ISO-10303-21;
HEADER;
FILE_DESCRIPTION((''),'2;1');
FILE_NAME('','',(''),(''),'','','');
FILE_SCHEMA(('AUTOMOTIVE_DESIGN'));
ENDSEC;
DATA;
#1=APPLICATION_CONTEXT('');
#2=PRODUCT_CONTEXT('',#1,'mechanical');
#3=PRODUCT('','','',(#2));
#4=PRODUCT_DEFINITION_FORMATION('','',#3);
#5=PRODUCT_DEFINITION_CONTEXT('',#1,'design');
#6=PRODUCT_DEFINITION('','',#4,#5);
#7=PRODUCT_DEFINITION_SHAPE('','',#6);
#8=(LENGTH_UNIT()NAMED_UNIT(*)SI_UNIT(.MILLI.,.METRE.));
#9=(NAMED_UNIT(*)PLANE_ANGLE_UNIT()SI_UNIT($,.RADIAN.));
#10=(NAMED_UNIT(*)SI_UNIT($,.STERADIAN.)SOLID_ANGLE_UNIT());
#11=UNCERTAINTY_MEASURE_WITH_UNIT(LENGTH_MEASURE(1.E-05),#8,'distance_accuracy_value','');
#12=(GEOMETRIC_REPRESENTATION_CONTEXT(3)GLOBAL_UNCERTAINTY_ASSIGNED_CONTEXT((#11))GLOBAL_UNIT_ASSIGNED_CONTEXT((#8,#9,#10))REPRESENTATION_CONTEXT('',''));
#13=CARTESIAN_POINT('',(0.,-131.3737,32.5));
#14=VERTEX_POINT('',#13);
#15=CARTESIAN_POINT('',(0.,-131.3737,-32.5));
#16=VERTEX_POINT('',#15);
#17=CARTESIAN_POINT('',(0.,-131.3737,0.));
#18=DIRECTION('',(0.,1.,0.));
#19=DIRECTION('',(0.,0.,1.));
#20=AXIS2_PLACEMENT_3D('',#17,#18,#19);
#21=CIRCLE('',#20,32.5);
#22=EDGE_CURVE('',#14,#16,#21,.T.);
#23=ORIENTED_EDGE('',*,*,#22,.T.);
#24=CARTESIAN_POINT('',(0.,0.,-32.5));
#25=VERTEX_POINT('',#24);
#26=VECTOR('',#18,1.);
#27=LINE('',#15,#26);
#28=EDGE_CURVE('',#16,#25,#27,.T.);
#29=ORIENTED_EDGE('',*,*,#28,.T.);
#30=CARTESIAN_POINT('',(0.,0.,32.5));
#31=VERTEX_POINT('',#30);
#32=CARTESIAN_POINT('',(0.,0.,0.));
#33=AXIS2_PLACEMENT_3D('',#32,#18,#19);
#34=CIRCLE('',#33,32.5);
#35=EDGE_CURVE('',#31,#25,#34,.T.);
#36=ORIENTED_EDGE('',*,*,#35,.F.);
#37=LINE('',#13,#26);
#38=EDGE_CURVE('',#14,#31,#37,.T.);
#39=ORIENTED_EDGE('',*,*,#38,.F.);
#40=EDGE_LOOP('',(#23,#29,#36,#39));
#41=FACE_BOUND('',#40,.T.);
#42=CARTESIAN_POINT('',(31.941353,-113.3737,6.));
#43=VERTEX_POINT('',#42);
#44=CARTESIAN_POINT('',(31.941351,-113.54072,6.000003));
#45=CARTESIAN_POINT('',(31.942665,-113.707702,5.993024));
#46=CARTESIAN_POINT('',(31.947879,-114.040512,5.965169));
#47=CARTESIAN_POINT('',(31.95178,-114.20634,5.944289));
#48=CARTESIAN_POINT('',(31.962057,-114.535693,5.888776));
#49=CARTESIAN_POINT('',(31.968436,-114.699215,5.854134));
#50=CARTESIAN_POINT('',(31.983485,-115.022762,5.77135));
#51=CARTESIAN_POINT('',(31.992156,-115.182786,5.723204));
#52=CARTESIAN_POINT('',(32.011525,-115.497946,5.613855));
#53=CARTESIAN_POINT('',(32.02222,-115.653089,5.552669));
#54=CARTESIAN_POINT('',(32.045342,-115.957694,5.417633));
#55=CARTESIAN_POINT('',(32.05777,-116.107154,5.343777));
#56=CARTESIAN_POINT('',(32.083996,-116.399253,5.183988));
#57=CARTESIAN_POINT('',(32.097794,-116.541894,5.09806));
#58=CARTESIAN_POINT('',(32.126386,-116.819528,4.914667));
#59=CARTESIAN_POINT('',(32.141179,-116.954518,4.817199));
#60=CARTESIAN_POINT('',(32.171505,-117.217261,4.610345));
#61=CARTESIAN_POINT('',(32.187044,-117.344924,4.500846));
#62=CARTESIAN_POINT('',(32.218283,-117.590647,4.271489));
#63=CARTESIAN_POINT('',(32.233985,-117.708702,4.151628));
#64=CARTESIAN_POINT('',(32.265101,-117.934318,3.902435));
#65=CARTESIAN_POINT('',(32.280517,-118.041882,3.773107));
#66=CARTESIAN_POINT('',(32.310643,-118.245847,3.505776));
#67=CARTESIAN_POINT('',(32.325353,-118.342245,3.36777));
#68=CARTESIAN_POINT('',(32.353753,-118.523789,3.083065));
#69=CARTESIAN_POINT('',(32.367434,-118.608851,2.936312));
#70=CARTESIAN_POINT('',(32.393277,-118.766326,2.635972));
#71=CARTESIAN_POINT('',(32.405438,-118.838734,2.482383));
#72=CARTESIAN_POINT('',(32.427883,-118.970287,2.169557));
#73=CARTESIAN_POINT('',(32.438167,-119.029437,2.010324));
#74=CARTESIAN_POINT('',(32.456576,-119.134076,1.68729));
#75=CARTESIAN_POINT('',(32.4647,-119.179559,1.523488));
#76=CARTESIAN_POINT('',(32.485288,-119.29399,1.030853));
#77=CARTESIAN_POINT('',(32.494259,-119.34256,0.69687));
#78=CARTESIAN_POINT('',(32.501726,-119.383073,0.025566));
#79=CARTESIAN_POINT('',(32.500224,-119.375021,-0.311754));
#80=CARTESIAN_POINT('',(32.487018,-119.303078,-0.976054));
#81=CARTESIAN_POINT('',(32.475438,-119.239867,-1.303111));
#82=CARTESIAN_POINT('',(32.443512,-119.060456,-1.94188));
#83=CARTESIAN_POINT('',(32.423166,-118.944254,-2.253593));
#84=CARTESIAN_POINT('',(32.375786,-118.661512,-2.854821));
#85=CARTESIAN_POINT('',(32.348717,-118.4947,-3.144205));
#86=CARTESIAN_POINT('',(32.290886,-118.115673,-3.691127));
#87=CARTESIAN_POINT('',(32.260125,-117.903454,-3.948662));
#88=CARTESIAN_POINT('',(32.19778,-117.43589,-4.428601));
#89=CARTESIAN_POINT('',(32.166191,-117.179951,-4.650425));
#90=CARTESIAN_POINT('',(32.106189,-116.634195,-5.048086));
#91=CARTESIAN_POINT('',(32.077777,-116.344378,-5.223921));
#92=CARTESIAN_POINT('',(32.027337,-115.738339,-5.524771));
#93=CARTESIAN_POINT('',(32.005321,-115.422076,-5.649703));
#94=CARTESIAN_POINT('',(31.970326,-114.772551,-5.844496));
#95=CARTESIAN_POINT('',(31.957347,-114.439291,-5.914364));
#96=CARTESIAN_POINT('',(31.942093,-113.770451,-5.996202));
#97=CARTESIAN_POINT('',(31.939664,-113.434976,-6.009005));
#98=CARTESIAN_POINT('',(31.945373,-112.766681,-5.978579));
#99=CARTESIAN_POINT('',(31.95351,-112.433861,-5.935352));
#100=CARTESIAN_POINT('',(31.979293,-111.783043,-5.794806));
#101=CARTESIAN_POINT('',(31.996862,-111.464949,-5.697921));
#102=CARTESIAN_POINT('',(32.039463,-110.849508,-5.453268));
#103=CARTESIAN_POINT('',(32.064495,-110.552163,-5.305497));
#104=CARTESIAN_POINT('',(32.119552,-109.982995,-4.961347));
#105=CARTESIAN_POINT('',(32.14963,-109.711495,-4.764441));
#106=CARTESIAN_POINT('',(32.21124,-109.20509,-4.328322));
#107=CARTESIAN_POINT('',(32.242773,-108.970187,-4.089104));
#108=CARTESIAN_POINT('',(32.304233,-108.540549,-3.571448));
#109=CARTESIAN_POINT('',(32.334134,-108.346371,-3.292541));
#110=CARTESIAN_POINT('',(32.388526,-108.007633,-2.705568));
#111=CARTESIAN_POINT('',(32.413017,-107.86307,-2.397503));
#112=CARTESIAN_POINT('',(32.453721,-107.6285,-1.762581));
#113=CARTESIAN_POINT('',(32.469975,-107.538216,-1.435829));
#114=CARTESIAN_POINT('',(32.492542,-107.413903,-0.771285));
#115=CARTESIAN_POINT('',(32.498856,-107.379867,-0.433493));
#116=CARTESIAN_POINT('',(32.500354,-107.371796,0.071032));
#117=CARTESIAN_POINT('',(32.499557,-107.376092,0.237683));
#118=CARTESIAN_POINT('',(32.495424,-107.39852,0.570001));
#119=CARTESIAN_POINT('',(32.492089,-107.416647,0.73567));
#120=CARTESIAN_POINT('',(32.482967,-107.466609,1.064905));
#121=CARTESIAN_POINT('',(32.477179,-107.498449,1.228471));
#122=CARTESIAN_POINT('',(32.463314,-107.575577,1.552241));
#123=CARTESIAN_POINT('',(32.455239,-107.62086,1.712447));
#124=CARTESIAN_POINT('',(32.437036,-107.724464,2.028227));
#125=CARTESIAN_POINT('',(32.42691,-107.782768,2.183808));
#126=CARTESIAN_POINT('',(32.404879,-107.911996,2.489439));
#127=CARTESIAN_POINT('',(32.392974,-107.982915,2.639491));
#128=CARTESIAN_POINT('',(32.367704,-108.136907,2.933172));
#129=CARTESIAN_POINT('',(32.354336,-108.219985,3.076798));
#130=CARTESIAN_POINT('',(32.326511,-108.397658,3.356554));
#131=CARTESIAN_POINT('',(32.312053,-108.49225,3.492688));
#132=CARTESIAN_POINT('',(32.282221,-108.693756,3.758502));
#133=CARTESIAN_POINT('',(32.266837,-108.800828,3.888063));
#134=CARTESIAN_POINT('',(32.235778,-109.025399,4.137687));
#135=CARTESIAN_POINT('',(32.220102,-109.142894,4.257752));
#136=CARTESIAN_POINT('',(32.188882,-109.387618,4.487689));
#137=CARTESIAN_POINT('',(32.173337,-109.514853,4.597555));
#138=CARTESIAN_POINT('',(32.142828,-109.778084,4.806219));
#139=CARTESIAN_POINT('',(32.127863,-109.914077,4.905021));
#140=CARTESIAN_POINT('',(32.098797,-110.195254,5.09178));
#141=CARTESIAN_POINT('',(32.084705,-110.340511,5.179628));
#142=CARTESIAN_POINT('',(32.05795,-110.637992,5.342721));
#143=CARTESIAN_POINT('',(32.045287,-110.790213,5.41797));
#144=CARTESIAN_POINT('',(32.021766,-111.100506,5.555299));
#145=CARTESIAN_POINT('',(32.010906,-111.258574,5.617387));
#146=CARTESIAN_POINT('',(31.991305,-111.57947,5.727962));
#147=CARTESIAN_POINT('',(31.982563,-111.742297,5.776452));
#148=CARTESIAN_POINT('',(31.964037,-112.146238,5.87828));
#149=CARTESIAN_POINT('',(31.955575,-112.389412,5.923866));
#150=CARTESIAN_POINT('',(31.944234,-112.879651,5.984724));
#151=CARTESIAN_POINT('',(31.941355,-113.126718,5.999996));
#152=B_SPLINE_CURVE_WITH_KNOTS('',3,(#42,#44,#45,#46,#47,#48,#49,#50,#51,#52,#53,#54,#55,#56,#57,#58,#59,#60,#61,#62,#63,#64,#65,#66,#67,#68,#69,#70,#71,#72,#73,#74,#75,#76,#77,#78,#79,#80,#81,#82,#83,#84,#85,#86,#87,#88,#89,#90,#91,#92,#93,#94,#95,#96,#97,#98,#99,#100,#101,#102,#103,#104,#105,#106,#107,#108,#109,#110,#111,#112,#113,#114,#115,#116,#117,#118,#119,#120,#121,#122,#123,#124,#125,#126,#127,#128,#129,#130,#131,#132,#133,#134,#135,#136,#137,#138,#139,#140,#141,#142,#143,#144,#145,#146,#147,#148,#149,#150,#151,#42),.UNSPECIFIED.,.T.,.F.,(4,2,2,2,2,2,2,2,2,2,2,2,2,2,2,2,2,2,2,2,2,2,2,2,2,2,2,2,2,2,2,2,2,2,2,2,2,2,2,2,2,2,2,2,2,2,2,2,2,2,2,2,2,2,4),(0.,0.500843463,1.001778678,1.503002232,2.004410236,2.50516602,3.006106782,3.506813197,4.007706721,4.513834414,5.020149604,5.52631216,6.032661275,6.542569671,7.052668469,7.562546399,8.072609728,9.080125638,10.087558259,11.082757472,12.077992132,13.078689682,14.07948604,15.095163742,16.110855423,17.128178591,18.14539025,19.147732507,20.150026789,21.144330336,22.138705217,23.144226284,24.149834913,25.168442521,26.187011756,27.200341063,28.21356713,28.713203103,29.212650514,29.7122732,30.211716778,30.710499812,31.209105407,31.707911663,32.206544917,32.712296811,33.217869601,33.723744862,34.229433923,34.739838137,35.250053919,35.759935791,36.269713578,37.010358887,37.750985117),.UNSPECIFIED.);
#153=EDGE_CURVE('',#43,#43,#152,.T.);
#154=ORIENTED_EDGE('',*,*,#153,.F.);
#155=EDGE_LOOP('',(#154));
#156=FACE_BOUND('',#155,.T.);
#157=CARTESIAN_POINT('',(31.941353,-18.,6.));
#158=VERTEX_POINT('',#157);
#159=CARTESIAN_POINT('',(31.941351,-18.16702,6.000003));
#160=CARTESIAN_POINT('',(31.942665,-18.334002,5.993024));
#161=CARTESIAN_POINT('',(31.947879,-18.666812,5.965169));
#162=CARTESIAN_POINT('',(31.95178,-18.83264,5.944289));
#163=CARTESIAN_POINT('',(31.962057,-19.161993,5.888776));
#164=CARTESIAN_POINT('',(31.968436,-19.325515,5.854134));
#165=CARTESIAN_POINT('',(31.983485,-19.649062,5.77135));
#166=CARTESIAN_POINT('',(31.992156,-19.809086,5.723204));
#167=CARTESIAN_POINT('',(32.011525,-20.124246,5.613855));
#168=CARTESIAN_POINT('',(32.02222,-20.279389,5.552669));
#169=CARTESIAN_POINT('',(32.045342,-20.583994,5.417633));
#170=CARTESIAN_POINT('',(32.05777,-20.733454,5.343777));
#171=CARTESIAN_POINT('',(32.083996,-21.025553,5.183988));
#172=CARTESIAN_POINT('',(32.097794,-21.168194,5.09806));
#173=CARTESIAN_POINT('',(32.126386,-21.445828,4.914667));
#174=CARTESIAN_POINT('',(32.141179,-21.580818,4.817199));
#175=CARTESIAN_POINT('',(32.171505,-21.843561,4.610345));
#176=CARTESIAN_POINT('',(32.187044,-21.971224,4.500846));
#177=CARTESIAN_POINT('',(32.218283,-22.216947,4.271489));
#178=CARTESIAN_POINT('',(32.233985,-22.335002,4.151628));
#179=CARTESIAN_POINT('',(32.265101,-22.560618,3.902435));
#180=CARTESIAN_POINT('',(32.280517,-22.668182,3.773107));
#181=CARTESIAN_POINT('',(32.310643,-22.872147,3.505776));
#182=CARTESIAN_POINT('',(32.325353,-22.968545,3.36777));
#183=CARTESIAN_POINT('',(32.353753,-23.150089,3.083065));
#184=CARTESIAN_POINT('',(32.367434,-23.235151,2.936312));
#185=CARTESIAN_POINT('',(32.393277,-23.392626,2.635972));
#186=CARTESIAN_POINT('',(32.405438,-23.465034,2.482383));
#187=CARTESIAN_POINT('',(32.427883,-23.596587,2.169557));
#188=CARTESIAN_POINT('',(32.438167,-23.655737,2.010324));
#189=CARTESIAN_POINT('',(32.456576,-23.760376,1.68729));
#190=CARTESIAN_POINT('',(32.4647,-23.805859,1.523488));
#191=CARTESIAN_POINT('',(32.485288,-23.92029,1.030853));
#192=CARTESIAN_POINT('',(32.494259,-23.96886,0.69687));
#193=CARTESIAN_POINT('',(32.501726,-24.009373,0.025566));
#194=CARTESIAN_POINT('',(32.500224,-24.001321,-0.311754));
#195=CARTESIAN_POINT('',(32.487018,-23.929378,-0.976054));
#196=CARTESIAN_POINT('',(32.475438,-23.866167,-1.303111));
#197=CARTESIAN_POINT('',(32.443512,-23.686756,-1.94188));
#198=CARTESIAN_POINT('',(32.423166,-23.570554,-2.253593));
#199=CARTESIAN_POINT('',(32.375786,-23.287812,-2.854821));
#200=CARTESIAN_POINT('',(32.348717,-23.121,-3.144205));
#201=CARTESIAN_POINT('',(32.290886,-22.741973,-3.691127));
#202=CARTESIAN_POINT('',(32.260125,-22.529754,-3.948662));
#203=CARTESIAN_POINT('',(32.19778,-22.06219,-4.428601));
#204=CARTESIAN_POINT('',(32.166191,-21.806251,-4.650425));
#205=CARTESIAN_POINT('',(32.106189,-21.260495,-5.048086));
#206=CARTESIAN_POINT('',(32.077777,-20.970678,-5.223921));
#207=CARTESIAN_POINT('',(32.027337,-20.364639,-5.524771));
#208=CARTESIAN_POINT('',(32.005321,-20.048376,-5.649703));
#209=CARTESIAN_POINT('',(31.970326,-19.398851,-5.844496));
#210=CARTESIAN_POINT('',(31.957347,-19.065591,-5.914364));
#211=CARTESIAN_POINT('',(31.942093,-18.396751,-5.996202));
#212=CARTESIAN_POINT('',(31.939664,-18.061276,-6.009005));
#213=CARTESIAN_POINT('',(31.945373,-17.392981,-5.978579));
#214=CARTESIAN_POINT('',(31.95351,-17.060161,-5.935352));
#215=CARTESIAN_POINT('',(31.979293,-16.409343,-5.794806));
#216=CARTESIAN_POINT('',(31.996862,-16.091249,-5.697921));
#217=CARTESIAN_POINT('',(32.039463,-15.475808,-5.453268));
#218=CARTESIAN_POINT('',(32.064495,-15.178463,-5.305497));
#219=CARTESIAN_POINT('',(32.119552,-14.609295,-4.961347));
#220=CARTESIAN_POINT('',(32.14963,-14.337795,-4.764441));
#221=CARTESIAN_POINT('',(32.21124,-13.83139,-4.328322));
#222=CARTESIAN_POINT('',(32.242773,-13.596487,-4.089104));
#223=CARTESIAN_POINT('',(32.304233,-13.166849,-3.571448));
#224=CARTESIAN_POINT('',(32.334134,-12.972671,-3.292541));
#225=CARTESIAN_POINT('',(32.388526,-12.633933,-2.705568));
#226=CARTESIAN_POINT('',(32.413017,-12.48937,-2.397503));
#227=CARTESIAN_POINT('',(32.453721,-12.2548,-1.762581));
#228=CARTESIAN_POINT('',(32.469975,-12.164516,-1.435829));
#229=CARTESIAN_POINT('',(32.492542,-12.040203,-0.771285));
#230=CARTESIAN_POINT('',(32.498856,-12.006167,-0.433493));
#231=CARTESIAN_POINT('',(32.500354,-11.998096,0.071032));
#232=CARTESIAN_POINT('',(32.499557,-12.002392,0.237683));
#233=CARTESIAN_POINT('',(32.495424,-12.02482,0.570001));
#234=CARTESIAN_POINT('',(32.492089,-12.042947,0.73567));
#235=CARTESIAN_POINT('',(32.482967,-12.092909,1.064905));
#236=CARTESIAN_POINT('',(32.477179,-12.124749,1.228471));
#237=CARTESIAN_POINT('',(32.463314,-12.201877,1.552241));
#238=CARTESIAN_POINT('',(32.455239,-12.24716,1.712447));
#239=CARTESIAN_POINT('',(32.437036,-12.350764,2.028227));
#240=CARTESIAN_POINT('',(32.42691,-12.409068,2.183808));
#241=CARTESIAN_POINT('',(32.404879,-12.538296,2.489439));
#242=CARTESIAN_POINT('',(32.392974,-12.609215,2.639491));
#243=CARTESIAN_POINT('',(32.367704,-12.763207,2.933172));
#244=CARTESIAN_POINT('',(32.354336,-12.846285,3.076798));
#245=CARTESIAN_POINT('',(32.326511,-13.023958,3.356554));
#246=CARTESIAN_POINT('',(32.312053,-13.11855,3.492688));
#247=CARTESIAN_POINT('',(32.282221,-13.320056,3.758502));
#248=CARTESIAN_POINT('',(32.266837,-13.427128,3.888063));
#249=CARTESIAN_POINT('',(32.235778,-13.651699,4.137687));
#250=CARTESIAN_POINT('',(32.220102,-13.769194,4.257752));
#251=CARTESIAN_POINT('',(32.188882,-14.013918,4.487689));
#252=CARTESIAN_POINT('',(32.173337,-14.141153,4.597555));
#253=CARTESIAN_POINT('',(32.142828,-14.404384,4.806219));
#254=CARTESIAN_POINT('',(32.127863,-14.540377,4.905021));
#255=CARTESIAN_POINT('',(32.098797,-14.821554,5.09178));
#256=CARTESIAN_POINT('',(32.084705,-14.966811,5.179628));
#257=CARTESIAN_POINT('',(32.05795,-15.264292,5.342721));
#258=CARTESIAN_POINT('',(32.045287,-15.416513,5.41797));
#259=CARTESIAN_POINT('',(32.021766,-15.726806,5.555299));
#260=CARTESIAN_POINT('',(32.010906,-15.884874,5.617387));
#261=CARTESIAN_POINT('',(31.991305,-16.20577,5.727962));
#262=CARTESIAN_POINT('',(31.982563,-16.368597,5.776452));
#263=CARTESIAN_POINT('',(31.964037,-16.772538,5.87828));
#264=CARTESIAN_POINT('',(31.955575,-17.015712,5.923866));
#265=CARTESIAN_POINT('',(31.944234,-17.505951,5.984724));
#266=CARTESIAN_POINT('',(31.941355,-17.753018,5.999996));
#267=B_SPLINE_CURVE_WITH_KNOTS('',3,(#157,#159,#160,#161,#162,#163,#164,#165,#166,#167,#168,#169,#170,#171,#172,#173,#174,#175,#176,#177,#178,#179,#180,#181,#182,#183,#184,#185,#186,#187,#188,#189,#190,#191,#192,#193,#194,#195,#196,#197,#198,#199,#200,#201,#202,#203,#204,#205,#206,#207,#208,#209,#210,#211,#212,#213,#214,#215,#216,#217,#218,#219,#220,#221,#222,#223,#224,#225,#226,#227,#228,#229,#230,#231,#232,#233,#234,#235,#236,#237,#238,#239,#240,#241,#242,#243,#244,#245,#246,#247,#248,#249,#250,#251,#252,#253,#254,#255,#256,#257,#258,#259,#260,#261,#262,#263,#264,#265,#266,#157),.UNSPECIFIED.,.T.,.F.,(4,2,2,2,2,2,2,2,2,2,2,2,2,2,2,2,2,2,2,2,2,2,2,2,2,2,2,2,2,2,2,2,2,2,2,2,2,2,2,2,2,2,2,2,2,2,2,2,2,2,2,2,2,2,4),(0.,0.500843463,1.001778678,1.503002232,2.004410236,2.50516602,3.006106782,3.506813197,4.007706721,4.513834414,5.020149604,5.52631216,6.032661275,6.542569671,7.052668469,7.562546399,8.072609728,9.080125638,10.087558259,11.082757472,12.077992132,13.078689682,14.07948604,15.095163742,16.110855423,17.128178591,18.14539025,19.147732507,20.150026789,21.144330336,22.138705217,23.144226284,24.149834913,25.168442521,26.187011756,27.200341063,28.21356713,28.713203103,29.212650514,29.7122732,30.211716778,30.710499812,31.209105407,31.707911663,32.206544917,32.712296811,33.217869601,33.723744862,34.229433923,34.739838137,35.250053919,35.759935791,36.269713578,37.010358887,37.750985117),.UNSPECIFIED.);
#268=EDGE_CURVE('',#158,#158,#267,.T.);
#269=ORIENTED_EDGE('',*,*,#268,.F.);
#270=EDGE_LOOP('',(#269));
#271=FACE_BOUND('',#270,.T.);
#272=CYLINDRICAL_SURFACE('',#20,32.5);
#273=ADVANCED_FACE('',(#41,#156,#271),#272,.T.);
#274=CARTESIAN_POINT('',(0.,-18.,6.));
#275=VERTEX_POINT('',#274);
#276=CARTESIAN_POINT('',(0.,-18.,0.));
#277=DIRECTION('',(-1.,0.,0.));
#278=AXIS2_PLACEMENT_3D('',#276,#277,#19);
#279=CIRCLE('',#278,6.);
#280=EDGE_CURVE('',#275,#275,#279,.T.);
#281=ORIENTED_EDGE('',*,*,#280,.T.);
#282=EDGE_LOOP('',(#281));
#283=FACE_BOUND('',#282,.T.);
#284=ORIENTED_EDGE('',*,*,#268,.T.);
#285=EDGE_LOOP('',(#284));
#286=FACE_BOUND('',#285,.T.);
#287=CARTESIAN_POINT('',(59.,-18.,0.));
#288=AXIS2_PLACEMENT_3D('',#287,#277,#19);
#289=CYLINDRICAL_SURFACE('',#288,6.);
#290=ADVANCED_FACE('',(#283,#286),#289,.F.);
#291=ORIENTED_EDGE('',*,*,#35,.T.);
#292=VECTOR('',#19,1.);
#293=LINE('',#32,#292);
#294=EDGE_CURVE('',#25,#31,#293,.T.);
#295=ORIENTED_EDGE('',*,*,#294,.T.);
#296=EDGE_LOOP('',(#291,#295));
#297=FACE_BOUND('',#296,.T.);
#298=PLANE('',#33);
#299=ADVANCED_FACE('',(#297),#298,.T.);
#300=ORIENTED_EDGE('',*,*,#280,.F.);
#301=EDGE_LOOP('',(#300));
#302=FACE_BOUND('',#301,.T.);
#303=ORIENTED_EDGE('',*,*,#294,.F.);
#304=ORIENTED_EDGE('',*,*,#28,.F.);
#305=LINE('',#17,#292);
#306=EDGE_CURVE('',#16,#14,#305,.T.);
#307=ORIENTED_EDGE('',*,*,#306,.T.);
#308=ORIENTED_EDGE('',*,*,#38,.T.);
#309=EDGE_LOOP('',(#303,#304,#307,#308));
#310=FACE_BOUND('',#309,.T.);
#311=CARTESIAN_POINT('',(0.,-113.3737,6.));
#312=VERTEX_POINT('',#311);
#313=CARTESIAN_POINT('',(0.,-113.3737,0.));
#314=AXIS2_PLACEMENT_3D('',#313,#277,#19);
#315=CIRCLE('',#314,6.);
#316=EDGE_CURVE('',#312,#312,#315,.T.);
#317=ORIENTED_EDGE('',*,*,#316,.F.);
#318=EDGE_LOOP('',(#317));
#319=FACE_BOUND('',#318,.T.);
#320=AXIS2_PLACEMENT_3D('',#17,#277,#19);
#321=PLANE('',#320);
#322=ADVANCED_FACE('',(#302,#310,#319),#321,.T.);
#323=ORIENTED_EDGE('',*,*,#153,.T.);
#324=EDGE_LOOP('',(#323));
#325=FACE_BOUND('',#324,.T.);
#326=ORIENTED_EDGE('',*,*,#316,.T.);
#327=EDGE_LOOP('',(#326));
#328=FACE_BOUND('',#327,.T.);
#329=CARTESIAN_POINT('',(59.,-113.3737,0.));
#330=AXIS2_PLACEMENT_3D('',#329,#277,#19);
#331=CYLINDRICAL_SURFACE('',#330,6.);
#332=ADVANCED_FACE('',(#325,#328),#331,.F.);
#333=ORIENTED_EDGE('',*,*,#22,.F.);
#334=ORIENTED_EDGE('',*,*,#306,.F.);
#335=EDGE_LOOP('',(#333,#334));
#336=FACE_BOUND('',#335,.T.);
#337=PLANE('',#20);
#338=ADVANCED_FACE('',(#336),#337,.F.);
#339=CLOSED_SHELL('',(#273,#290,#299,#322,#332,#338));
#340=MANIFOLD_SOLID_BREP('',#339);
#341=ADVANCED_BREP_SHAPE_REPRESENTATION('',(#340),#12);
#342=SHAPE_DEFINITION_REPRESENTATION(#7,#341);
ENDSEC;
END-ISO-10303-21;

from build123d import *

# Parameters (mm, degrees)
BOSS_EXTRUDE2_DEPTH = 131.3737
SKETCH2_R           = 6
CUT_EXTRUDE1_DEPTH  = 59


with BuildPart() as part:
    # Sketch1 → Boss-Extrude2 (new body)
    with BuildSketch(Plane(origin=(0, 0, 0), x_dir=(1, 0, 0), z_dir=(0, 1, 0))):
        with BuildLine():
            ThreePointArc((32.5, 0), (22.980970389, 22.980970389), (0, 32.5))
            Line((0, 32.5), (0, -32.5))
            ThreePointArc((0, -32.5), (22.980970389, -22.980970389), (32.5, 0))
        make_face()
    extrude(amount=-BOSS_EXTRUDE2_DEPTH)

    # Sketch2 → Cut-Extrude1 (cut)
    with BuildSketch(Plane.ZY):
        with Locations((0, -18)):
            Circle(SKETCH2_R)
        with Locations((0, -113.3737)):
            Circle(SKETCH2_R)
    extrude(amount=-CUT_EXTRUDE1_DEPTH, mode=Mode.SUBTRACT)


solid = part.part
